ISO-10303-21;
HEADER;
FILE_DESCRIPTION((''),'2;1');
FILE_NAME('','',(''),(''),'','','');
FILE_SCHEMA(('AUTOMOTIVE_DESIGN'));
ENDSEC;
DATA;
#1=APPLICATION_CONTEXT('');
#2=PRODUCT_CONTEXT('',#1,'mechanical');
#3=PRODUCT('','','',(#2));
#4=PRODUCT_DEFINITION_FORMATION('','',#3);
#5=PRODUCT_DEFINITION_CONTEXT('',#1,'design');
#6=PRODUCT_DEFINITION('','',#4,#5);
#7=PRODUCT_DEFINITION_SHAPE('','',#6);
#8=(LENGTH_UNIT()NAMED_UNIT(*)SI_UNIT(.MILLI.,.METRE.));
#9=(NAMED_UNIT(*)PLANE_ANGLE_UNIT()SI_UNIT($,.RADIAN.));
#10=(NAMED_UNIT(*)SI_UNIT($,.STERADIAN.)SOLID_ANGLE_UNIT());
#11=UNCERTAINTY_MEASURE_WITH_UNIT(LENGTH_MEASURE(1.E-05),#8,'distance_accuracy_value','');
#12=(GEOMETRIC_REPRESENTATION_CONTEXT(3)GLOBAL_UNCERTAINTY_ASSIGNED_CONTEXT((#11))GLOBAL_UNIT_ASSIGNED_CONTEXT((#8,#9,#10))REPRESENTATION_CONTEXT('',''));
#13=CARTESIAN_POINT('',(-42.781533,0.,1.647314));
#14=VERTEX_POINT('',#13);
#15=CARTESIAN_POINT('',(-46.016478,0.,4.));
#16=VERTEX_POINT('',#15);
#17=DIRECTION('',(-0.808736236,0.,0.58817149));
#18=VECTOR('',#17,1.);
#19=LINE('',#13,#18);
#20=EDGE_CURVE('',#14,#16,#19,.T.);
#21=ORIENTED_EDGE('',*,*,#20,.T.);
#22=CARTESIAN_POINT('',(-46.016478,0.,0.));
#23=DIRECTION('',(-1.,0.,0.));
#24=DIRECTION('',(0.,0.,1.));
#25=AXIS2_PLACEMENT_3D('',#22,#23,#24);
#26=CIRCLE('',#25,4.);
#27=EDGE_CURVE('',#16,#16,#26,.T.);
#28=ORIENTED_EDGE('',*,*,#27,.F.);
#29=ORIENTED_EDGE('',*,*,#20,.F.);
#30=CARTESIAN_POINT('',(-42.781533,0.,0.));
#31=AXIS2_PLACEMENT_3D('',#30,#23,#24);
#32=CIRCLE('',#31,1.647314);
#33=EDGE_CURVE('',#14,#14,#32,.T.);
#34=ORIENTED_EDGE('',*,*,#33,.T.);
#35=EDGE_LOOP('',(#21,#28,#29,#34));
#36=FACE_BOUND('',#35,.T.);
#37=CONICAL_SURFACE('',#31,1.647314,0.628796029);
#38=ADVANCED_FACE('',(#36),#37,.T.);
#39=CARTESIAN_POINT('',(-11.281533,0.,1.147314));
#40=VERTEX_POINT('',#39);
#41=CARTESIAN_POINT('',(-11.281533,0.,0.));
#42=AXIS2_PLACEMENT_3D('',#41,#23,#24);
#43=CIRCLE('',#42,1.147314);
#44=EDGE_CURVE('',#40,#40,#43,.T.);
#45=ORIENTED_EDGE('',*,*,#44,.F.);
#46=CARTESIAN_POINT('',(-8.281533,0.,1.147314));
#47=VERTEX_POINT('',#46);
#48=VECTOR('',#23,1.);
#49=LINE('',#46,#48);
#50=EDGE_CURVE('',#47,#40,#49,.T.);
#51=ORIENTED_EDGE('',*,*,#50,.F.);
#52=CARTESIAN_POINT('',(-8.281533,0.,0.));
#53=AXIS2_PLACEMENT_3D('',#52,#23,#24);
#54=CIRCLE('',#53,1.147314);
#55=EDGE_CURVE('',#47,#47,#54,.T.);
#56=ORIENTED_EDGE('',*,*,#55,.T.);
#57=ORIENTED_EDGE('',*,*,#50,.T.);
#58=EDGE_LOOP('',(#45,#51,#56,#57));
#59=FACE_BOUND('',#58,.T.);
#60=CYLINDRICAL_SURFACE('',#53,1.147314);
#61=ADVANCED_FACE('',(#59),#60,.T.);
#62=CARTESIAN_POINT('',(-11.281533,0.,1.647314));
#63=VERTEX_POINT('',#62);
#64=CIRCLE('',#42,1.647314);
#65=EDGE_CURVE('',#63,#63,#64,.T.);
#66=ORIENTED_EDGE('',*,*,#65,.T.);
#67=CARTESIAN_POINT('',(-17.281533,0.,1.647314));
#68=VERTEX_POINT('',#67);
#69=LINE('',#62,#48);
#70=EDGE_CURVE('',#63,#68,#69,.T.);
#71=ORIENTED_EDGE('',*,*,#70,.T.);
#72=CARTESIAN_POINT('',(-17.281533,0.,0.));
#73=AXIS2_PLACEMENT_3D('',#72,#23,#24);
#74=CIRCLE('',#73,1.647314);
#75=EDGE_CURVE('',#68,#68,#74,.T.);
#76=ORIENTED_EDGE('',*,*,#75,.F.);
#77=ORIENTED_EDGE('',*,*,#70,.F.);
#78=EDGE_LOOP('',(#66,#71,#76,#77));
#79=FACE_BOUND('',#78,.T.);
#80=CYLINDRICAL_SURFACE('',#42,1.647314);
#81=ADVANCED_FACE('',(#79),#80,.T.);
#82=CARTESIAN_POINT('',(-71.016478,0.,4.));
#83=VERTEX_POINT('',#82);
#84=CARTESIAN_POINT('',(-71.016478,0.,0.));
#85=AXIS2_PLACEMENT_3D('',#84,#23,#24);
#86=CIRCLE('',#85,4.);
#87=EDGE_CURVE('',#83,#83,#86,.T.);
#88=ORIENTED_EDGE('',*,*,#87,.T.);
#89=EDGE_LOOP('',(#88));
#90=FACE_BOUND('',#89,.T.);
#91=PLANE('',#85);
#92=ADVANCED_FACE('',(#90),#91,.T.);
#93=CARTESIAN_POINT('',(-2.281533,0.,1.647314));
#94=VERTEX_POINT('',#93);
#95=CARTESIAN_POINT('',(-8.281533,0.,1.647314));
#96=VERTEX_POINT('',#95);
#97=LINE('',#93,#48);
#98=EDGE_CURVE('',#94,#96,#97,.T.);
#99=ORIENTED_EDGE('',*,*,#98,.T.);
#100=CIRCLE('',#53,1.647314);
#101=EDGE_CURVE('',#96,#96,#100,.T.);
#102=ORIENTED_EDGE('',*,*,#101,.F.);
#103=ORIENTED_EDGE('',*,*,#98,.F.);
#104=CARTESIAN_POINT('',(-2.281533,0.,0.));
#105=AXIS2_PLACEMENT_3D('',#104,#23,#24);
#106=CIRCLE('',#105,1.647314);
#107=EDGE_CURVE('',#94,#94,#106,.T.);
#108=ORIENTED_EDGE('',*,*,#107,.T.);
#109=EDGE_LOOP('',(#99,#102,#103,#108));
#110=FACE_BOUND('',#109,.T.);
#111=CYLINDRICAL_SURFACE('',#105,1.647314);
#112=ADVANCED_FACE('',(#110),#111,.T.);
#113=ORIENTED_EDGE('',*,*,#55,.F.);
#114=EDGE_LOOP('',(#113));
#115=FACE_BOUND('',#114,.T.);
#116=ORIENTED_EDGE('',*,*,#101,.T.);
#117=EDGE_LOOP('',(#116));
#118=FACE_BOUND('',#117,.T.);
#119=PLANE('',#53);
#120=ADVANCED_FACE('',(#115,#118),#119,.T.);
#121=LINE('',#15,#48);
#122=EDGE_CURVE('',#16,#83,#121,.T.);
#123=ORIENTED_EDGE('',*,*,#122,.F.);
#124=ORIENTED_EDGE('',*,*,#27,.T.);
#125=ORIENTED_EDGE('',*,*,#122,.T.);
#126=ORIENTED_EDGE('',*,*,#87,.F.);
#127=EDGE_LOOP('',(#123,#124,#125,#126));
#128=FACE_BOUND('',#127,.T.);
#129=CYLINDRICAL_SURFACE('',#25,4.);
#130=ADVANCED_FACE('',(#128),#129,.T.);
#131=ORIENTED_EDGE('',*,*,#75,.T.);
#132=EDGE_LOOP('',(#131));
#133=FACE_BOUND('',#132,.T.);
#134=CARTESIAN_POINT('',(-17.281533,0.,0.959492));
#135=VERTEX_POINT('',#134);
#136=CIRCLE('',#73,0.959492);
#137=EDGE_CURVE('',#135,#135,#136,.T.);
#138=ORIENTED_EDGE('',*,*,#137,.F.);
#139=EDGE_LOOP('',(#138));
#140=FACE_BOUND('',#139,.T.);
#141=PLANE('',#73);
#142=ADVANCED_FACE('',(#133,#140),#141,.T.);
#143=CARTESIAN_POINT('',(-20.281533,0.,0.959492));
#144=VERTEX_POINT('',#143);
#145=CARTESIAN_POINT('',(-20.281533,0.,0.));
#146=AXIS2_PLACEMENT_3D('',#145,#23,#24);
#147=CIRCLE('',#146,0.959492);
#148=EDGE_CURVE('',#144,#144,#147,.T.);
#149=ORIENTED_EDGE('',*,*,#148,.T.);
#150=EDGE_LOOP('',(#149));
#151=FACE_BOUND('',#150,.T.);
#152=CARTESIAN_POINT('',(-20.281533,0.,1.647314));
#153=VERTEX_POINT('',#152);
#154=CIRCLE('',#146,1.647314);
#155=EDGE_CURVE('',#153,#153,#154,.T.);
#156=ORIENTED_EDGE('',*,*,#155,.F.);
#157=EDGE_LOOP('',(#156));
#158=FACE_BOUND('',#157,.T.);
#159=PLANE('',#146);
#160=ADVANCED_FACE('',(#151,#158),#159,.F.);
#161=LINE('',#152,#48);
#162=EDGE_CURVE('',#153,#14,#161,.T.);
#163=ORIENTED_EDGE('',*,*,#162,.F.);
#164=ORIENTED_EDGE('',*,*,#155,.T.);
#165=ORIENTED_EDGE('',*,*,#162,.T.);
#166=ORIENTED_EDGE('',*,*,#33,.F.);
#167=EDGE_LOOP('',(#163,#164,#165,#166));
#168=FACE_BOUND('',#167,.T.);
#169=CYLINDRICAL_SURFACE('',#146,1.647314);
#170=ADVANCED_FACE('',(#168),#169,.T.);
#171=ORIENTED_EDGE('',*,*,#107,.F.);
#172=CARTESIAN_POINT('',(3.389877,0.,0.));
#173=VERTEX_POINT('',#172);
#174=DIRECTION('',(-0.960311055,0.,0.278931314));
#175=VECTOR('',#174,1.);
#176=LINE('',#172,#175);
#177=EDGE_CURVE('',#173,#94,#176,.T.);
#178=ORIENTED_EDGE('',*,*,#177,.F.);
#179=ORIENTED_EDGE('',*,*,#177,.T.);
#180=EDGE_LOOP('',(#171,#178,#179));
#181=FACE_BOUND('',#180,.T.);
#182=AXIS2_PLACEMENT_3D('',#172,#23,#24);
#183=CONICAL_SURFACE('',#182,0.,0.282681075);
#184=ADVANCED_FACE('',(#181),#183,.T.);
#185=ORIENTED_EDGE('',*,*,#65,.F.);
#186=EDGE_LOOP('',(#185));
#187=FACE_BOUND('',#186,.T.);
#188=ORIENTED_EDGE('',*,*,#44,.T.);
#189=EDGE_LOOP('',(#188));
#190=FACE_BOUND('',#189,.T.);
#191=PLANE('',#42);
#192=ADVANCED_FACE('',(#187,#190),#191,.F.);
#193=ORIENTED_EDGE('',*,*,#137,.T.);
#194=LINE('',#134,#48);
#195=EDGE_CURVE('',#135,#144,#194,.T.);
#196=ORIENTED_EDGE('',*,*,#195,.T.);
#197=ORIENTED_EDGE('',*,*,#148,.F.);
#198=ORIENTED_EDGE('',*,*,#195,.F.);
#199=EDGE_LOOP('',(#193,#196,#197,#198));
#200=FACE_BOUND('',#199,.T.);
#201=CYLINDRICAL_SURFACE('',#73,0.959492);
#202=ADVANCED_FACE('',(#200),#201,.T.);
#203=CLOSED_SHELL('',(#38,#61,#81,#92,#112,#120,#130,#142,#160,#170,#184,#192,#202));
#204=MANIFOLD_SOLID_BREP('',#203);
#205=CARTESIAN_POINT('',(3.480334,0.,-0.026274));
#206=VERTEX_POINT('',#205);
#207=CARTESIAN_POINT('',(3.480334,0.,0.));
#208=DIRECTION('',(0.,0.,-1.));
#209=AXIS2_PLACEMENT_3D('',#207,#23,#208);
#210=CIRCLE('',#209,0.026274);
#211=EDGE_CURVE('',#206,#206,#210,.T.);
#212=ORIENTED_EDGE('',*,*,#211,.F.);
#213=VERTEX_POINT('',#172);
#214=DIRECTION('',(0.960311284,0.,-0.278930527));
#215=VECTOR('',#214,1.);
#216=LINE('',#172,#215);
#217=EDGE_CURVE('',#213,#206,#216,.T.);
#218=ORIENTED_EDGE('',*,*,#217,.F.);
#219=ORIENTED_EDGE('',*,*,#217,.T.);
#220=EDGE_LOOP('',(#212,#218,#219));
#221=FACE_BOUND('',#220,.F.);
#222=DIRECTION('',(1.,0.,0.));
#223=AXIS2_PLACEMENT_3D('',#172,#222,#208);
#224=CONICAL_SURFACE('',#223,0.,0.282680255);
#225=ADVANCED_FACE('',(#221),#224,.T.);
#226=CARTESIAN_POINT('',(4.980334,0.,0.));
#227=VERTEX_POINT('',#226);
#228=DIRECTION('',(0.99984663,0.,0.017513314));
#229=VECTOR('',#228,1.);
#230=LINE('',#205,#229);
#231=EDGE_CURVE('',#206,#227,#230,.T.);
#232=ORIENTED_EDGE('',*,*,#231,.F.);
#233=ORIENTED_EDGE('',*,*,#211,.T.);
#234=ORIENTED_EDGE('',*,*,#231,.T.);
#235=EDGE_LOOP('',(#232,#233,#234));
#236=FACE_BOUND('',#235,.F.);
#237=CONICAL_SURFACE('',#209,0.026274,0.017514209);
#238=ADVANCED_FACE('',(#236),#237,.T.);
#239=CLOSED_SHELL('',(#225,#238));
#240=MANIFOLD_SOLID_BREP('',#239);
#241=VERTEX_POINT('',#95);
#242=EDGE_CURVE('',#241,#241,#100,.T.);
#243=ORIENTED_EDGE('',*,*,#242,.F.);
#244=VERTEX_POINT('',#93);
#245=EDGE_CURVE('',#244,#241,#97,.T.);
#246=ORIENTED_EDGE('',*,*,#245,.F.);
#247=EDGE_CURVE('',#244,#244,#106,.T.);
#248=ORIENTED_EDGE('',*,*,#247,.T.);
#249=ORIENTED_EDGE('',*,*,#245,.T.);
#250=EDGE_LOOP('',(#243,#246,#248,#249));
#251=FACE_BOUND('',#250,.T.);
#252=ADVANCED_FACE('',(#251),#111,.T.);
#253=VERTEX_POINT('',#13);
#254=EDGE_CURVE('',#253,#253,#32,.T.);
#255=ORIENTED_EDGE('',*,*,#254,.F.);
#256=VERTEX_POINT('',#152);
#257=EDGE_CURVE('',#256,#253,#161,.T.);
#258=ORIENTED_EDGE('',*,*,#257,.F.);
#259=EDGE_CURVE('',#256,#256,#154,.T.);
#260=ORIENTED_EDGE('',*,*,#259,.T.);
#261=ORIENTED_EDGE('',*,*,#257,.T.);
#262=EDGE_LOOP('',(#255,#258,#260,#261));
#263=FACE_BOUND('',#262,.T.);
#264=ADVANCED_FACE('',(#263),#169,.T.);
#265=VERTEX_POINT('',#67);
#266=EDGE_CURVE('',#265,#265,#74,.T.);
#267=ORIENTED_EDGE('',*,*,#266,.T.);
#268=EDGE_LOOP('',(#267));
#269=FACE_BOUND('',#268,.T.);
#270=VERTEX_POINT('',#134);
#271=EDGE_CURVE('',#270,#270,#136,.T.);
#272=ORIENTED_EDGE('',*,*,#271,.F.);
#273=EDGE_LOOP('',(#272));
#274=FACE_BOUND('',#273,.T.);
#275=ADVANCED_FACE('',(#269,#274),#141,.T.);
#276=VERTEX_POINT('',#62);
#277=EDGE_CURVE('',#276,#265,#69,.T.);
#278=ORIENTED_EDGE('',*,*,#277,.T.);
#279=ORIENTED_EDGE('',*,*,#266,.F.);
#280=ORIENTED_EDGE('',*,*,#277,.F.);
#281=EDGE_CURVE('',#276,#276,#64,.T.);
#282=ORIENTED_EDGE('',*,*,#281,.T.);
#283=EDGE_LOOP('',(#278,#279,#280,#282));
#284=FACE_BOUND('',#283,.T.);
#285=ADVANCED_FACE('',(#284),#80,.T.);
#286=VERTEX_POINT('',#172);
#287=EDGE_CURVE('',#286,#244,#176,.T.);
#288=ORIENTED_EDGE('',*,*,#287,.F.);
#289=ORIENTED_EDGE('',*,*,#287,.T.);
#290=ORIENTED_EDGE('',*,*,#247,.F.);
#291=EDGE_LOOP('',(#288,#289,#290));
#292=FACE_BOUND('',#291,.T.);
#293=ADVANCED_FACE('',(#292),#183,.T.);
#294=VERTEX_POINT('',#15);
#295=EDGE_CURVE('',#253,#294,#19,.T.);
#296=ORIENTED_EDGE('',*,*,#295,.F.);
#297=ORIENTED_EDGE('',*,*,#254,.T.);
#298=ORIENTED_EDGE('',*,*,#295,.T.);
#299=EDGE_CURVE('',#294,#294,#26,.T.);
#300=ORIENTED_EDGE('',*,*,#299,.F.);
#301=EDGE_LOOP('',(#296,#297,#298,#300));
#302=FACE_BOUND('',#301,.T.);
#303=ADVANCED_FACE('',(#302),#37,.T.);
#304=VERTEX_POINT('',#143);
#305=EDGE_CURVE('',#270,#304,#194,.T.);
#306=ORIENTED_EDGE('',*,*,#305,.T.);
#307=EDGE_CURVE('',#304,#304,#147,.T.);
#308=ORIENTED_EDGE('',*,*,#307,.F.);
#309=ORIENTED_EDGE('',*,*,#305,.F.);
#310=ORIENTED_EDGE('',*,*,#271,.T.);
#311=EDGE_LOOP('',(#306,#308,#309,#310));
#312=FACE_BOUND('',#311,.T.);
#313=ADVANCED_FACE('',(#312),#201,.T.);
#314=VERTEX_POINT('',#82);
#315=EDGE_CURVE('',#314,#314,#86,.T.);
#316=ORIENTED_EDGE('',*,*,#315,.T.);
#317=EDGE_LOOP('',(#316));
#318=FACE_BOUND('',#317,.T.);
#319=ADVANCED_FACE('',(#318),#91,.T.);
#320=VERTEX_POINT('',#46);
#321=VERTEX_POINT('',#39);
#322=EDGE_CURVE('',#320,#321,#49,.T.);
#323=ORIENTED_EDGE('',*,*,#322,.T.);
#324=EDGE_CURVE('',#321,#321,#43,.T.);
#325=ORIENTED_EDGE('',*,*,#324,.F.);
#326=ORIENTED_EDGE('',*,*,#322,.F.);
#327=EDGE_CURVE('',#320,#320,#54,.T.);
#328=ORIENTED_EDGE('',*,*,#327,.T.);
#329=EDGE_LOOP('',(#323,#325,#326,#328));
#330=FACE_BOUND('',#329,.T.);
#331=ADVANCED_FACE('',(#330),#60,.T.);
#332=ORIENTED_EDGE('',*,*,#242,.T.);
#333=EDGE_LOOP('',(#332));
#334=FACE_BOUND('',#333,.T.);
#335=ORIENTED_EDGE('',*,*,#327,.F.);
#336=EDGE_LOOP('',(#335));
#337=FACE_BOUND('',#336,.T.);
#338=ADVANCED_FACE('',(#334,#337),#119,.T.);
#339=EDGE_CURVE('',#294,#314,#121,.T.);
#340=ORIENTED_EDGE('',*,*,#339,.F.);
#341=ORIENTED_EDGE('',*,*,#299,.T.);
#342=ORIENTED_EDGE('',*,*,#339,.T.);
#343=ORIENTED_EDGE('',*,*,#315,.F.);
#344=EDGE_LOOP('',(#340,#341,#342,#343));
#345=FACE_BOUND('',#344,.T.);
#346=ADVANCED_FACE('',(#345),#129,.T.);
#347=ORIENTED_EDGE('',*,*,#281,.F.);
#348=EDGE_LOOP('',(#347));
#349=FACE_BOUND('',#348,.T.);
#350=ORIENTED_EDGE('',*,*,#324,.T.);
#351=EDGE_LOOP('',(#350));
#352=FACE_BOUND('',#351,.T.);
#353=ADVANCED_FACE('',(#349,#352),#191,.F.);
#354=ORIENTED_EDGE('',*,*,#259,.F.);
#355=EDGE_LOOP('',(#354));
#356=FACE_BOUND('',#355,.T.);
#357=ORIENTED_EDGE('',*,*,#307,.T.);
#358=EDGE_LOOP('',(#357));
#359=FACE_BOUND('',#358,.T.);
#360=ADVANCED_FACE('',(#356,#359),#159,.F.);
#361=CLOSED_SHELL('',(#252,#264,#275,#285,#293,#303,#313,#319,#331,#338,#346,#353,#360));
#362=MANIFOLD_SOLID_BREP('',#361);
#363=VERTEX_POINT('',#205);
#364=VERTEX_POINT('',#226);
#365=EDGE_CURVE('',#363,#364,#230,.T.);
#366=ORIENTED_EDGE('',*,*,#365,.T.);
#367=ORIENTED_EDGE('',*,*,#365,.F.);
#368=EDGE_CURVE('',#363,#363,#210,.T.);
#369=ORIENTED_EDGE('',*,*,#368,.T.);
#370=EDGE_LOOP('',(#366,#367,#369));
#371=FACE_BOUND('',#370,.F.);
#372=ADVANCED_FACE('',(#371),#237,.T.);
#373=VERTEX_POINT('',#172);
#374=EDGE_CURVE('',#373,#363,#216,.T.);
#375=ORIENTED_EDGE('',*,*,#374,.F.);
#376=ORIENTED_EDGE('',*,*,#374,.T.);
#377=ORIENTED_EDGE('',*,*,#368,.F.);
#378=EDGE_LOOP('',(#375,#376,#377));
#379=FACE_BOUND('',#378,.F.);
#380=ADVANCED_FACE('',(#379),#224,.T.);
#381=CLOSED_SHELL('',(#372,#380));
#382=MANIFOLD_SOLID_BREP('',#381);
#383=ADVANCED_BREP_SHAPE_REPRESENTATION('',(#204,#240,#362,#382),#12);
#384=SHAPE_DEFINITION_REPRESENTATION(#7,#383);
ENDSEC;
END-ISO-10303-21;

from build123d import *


with BuildPart() as f1:
    # F0 (on Front) → F1 (revolve)
    with BuildSketch(Plane.XZ):
        Polygon((4.980334, 0), (3.389877, 0), (3.480334, -0.026274), align=None)
        Polygon((-71.016478, 4), (-71.016478, 0), (3.389877, 0), (-2.281533, 1.647314), (-8.281533, 1.647314), (-8.281533, 1.147314), (-11.281533, 1.147314), (-11.281533, 1.647314), (-17.281533, 1.647314), (-17.281533, 0.959492), (-20.281533, 0.959492), (-20.281533, 1.647314), (-42.781533, 1.647314), (-46.016478, 4), align=None)
    revolve(axis=Axis((-33.018072, 0, 0), (-1, 0, 0)))


with BuildPart() as f2:
    # F0 (on Front) → F2 (revolve)
    with BuildSketch(Plane.XZ):
        Polygon((4.980334, 0), (3.389877, 0), (3.480334, -0.026274), align=None)
        Polygon((-71.016478, 4), (-71.016478, 0), (3.389877, 0), (-2.281533, 1.647314), (-8.281533, 1.647314), (-8.281533, 1.147314), (-11.281533, 1.147314), (-11.281533, 1.647314), (-17.281533, 1.647314), (-17.281533, 0.959492), (-20.281533, 0.959492), (-20.281533, 1.647314), (-42.781533, 1.647314), (-46.016478, 4), align=None)
    revolve(axis=Axis((-46.016478, 0, 0), (-1, 0, 0)))


solid = Compound([f1.part, f2.part])
